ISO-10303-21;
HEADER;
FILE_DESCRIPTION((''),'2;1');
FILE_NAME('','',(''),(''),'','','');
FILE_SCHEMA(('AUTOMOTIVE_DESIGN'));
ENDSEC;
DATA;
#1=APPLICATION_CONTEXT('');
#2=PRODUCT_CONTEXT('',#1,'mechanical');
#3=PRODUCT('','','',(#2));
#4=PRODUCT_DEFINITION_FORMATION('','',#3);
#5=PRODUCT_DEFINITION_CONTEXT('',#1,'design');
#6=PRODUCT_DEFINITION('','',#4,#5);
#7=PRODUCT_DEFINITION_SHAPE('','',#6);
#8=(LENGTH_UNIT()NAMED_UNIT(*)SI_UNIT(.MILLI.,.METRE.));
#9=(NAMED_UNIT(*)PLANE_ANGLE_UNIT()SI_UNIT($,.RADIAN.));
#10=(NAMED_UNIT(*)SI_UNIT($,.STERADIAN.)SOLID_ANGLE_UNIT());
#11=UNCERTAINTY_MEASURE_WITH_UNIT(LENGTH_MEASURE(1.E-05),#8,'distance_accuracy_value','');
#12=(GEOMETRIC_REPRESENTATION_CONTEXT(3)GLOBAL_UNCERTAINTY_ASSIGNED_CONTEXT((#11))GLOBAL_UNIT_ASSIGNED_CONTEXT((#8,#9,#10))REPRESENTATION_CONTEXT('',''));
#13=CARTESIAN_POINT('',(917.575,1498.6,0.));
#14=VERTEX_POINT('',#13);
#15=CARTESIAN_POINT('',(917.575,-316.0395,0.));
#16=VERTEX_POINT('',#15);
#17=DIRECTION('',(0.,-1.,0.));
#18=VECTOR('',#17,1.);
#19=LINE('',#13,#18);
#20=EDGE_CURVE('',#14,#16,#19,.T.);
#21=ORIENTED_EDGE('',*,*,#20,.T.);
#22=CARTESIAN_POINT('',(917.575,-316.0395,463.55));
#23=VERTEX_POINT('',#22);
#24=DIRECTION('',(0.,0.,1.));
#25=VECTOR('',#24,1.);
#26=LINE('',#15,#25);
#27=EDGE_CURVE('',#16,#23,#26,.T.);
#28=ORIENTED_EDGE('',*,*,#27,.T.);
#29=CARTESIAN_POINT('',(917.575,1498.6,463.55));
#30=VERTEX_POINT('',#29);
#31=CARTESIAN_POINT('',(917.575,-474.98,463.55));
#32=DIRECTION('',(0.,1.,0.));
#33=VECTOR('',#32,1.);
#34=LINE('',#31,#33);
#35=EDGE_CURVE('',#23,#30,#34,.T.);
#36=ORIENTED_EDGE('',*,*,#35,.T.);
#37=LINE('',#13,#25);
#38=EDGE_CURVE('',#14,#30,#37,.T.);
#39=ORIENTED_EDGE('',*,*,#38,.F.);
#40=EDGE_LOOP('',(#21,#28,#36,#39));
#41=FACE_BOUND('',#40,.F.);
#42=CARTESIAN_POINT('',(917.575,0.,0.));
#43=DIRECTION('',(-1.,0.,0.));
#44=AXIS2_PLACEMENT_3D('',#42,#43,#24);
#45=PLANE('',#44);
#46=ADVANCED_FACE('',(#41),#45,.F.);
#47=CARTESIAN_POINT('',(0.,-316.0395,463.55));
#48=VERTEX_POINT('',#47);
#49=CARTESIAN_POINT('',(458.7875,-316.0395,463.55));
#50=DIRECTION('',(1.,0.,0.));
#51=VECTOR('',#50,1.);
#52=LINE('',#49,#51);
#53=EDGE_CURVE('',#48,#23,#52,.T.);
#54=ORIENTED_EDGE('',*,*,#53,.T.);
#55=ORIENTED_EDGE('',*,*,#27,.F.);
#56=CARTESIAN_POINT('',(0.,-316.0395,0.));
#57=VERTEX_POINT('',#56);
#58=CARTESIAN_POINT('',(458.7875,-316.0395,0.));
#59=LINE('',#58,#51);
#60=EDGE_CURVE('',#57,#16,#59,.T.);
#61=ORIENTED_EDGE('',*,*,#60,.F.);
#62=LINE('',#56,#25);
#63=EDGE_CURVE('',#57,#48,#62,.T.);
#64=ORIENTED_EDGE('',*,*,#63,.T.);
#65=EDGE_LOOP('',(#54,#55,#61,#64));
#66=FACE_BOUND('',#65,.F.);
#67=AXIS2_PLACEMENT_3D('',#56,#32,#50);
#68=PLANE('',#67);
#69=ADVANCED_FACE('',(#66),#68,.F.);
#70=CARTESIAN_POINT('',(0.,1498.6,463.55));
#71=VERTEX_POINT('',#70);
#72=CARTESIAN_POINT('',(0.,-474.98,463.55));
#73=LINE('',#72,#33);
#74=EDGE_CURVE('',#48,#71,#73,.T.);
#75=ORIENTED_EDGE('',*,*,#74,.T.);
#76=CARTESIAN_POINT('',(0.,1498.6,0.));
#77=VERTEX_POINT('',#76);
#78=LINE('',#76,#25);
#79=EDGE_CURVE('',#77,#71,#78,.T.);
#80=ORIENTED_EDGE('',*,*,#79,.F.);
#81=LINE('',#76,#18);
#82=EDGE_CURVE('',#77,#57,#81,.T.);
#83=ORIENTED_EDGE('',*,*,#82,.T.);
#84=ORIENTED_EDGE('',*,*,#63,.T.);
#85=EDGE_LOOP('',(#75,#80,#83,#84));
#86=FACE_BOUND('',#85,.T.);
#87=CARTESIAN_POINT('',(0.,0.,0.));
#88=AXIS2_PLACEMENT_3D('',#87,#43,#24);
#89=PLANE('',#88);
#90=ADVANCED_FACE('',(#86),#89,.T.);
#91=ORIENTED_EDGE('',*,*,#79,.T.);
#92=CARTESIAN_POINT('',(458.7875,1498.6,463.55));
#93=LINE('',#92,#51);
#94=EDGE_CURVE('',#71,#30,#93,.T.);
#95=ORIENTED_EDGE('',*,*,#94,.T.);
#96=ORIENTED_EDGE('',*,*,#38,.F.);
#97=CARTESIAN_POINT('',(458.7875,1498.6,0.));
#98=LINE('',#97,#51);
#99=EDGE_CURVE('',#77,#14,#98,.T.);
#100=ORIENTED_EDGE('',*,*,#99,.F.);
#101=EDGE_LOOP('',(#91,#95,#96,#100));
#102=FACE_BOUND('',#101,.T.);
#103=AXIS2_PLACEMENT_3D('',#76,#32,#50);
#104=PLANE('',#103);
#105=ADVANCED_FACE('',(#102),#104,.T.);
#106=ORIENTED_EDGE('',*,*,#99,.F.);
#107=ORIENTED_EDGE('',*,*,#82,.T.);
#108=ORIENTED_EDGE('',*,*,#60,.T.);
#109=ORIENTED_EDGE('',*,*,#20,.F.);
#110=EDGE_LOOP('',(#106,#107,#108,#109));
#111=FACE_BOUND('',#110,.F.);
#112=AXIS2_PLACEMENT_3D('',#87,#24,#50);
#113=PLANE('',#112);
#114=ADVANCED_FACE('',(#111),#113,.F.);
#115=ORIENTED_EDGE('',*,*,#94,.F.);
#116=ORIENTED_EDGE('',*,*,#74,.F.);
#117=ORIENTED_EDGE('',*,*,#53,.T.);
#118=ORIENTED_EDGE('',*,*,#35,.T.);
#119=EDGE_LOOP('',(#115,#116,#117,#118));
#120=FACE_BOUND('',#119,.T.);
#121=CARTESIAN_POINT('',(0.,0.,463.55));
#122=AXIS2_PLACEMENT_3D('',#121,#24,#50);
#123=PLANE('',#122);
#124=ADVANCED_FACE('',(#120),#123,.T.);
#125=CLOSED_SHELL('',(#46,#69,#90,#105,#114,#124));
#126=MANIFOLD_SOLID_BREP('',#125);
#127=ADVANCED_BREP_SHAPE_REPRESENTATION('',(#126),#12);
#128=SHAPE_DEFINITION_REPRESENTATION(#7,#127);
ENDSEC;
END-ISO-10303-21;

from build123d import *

# Parameters (mm, degrees)
F0_W     = 917.575
F0_H     = 1498.6
F1_DEPTH = 463.55
F2_DEPTH = 474.98
F3_DEPTH = 158.9405


with BuildPart() as f1:
    # F0 (on Top) → F1 (new body)
    with BuildSketch(Plane.XY):
        with Locations((458.7875, 749.3)):
            Rectangle(F0_W, F0_H)
    extrude(amount=F1_DEPTH)

    # F2 (add): a face of the model
    f2_faces = [f1.faces().sort_by_distance(p)[0] for p in [
        (458.7875, 0, 231.775),
    ]]
    extrude(f2_faces, amount=F2_DEPTH)

    # F3 (cut): a face of the model
    f3_faces = [f1.faces().sort_by_distance(p)[0] for p in [
        (458.7875, -474.98, 231.775),
    ]]
    extrude(f3_faces, amount=-F3_DEPTH, mode=Mode.SUBTRACT)


solid = f1.part
